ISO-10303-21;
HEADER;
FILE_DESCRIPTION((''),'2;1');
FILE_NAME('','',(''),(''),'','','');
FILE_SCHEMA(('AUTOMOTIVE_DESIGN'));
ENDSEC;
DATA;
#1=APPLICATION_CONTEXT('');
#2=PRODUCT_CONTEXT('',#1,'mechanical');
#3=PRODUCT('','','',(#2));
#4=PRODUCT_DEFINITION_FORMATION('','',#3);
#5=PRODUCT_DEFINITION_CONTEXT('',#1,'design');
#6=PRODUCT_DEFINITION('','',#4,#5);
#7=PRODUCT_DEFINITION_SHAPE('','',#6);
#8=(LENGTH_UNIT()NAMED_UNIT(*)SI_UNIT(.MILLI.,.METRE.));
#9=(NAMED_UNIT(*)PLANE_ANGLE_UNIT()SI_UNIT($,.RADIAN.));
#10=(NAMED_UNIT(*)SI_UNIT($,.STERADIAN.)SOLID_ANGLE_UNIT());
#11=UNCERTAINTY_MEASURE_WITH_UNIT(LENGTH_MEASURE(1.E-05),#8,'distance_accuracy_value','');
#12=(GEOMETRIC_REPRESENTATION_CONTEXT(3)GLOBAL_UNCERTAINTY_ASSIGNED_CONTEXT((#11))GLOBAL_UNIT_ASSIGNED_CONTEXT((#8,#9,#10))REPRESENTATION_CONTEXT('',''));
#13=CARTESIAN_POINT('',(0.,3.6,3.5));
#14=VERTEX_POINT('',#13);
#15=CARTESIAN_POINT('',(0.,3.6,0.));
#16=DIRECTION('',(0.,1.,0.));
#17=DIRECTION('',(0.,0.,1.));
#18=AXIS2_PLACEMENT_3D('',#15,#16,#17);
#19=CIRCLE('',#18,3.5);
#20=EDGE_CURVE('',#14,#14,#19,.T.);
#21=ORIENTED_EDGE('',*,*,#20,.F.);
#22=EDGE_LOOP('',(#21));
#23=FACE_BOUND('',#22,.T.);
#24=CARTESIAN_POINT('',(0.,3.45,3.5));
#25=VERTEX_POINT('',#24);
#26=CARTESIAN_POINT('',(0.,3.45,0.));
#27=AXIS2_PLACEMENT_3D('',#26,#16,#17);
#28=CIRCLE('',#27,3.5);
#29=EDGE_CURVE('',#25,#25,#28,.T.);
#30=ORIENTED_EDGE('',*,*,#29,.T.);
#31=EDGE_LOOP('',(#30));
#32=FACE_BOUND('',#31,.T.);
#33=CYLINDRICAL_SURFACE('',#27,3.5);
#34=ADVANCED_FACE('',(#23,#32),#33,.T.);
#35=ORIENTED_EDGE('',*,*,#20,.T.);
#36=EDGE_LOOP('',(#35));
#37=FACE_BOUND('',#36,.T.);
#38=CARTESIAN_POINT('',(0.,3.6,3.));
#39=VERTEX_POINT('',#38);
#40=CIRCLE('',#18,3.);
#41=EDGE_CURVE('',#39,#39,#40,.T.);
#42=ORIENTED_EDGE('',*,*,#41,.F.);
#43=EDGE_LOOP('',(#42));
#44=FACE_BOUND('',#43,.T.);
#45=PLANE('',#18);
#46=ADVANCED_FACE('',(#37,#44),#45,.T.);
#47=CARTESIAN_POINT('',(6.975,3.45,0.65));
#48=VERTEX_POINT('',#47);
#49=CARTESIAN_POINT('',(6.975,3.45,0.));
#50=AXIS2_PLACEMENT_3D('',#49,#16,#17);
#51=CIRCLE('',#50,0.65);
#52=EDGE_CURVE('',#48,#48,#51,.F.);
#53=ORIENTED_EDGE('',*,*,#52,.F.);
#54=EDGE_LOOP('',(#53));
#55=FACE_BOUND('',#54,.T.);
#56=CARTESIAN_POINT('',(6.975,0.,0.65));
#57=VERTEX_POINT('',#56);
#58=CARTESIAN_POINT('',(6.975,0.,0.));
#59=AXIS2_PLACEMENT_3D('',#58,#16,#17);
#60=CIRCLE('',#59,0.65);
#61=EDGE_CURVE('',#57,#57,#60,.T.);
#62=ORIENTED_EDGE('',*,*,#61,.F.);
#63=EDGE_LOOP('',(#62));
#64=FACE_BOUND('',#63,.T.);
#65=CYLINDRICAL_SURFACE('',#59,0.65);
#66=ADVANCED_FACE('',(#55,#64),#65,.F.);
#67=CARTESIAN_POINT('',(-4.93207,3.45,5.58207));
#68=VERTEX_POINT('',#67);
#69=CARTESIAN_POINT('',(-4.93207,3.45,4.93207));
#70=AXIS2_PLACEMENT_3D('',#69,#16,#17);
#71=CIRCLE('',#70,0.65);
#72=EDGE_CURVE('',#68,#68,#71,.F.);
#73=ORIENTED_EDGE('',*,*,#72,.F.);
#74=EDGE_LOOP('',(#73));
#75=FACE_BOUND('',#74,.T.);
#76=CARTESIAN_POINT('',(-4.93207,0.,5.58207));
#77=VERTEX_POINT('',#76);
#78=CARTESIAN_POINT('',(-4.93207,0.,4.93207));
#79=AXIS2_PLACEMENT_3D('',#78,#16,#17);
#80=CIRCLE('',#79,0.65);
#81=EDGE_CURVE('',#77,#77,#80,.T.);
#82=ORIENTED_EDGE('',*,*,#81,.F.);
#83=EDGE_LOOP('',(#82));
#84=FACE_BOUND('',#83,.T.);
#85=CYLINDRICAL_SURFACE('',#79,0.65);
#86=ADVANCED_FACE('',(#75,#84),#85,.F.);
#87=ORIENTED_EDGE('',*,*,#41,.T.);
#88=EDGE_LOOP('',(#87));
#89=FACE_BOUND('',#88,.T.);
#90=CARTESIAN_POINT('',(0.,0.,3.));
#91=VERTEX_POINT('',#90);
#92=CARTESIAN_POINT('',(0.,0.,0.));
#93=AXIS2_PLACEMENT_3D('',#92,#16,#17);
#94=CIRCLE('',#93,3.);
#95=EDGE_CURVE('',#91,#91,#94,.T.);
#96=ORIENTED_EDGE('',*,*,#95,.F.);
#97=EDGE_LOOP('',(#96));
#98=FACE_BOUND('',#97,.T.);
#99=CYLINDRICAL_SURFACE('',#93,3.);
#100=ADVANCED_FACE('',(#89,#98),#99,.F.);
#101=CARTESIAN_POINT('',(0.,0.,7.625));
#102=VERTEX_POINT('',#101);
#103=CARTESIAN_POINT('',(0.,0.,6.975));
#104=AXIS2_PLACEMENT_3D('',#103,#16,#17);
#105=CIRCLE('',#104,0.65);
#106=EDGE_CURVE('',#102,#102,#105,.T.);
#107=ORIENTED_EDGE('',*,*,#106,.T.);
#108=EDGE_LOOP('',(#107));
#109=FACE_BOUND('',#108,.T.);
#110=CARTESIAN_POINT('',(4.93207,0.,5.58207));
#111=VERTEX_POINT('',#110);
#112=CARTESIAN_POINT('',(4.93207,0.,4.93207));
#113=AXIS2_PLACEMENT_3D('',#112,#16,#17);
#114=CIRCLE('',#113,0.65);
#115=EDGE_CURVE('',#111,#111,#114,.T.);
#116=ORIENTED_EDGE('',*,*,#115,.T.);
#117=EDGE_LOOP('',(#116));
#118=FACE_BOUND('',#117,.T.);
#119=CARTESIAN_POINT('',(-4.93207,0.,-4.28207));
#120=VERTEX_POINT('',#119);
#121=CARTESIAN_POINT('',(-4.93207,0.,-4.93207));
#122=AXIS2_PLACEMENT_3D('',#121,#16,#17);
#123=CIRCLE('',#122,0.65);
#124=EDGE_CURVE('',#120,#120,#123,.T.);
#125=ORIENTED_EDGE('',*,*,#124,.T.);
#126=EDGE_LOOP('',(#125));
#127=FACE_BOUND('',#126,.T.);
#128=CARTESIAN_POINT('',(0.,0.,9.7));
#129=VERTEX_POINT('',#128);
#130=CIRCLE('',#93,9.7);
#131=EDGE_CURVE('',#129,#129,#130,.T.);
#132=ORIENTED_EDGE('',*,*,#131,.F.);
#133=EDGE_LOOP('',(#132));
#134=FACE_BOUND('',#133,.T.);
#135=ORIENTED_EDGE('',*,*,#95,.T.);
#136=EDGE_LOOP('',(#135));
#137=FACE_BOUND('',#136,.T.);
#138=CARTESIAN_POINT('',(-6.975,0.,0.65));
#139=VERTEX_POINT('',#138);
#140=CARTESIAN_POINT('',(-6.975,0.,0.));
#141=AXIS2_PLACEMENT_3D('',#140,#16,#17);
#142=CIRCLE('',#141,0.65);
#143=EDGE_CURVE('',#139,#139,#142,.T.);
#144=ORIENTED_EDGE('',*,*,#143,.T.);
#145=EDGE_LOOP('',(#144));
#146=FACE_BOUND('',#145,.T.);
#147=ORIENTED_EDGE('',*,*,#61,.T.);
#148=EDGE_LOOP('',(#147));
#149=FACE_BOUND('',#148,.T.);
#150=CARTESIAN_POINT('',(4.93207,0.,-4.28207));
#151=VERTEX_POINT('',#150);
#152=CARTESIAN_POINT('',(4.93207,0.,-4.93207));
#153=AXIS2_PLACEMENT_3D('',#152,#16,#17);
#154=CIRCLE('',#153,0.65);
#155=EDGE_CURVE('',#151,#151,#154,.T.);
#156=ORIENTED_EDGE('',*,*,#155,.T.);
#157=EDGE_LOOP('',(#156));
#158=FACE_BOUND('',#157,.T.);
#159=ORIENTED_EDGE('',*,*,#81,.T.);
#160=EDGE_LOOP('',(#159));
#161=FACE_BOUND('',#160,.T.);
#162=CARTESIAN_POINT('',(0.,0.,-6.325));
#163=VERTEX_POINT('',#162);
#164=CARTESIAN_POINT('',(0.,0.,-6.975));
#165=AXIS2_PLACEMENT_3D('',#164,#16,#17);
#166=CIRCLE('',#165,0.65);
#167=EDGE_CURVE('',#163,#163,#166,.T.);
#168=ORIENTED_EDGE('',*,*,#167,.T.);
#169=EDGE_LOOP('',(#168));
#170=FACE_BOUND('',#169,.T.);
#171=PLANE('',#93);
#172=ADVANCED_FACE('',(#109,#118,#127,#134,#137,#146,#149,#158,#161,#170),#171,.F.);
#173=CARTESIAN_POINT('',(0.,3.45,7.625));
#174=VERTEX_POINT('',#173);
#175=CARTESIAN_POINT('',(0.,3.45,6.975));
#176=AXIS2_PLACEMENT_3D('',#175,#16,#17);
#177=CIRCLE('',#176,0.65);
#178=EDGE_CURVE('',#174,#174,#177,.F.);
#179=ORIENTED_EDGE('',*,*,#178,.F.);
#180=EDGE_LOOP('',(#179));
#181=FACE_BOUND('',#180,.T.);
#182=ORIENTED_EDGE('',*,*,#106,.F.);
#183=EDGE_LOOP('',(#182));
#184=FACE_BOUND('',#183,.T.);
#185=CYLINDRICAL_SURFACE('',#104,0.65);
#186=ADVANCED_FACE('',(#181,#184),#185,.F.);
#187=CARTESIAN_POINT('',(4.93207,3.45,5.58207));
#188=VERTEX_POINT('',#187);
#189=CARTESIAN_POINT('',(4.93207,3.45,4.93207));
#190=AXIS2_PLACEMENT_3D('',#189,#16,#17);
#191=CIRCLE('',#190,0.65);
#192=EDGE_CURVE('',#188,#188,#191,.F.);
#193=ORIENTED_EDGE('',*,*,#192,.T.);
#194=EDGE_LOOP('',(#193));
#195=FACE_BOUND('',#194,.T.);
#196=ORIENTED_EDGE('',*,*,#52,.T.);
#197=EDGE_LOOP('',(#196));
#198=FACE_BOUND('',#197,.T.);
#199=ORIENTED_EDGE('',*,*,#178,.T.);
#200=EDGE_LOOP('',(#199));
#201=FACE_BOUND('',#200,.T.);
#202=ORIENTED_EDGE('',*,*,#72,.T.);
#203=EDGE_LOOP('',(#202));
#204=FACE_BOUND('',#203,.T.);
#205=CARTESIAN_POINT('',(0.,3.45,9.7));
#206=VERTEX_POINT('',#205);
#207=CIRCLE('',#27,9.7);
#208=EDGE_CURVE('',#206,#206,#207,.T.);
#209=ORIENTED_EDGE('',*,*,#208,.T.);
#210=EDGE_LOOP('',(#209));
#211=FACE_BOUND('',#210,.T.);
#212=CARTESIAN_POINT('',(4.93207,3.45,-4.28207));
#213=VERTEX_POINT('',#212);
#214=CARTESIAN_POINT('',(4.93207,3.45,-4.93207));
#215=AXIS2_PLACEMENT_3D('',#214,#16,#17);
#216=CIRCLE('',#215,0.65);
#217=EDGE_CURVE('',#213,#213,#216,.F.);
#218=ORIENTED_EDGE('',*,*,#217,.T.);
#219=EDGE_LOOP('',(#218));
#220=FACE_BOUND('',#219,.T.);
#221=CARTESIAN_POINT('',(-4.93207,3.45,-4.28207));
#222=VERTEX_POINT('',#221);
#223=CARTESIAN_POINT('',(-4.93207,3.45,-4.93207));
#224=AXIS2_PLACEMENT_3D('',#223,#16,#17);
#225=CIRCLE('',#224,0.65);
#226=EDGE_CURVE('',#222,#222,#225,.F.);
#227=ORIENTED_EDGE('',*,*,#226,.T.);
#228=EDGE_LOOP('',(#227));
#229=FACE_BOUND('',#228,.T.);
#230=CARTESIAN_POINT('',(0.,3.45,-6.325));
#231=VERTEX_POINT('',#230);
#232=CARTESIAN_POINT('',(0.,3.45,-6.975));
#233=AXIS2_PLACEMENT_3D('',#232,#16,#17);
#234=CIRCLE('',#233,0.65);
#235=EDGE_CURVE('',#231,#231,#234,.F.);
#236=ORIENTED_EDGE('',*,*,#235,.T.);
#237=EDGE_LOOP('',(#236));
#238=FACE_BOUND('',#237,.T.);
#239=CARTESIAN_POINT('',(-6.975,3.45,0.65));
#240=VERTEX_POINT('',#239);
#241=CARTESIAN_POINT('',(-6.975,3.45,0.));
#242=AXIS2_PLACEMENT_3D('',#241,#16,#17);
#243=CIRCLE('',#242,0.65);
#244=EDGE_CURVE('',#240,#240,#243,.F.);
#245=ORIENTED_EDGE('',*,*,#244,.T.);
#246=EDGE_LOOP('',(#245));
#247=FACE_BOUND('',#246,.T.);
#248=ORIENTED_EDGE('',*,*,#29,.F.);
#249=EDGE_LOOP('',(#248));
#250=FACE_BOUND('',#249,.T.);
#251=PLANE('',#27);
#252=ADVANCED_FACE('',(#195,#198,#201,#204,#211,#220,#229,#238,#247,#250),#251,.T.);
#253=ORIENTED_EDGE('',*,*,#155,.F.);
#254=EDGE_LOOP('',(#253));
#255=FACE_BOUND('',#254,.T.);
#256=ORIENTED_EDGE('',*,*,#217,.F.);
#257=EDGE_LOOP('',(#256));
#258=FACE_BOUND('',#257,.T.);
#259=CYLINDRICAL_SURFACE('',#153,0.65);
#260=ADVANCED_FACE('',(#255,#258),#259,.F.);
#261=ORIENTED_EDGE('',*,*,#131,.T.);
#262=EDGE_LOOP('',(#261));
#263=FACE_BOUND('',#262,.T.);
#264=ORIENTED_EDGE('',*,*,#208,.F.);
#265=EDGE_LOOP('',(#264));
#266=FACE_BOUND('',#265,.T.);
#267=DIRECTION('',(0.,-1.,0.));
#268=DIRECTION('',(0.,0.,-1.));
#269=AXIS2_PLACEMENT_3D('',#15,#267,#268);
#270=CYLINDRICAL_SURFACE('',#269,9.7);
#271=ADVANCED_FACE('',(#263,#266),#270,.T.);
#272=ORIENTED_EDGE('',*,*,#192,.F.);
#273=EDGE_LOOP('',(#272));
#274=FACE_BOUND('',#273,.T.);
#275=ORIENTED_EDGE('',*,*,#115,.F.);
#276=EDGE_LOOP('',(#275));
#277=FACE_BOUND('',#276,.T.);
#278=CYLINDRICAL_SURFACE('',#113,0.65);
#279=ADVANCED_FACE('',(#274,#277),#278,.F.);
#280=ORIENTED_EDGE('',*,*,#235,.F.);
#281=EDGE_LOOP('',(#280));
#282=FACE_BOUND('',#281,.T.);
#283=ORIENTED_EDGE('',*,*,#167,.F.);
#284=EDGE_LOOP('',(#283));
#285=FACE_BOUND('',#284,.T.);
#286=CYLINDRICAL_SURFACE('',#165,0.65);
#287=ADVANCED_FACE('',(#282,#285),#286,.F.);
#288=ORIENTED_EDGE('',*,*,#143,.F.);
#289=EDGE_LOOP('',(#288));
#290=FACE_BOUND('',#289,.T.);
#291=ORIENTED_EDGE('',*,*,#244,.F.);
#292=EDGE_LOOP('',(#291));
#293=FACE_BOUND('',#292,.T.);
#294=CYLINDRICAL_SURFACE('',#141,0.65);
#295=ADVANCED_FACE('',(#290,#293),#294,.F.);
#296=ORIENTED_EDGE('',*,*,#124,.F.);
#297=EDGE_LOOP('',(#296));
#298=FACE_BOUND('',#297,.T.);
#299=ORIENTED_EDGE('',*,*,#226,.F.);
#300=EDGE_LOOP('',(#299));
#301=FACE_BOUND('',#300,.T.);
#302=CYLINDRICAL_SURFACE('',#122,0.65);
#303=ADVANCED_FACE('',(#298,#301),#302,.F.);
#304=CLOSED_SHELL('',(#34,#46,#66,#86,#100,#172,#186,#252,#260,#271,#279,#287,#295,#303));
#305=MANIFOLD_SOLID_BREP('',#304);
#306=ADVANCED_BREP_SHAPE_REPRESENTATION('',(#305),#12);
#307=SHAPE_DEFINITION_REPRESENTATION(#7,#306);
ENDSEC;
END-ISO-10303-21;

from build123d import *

# Parameters (mm, degrees)
SKETCH1_R               = 9.7
BOSS_EXTRUDE1_DEPTH     = 3.6
CUT_EXTRUDE1_DEPTH      = 15.182383439
CUT_EXTRUDE1_DEPTH_BACK = 15.182383439
SKETCH2_R               = 0.65
CUT_EXTRUDE2_DEPTH      = 15.182383439
CUT_EXTRUDE2_DEPTH_BACK = 15.182383439
SKETCH3_R               = 3
SKETCH4_R               = 9.7
SKETCH4_R_2             = 3.5
SKETCH4_R_3             = 0.65
CUT_EXTRUDE3_DEPTH      = 0.15


with BuildPart() as part:
    # Sketch1 → Boss-Extrude1 (new body)
    with BuildSketch(Plane(origin=(0, 0, 0), x_dir=(1, 0, 0), z_dir=(0, 1, 0))):
        with Locations(Location((0, 0, 0), (0, 0, 270))):
            Circle(SKETCH1_R)
    extrude(amount=BOSS_EXTRUDE1_DEPTH)

    # Sketch2 → Cut-Extrude1 (cut, two sides: drawn at the far end of the back side and taken through both)
    with BuildSketch(Plane(origin=(0, 3.6, 0), x_dir=(1, 0, 0), z_dir=(0, 1, 0)).offset(-CUT_EXTRUDE1_DEPTH_BACK)):
        with Locations(Location((-6.975, 0, 0), (0, 0, 270))):
            Circle(SKETCH2_R)
        with Locations(Location((-4.932069799, 4.932069799, 0), (0, 0, 270))):
            Circle(SKETCH2_R)
        with Locations(Location((0, 6.975, 0), (0, 0, 270))):
            Circle(SKETCH2_R)
        with Locations(Location((4.932069799, 4.932069799, 0), (0, 0, 270))):
            Circle(SKETCH2_R)
        with Locations(Location((6.975, 0, 0), (0, 0, 270))):
            Circle(SKETCH2_R)
        with Locations(Location((4.932069799, -4.932069799, 0), (0, 0, 270))):
            Circle(SKETCH2_R)
        with Locations(Location((0, -6.975, 0), (0, 0, 270))):
            Circle(SKETCH2_R)
        with Locations(Location((-4.932069799, -4.932069799, 0), (0, 0, 270))):
            Circle(SKETCH2_R)
    extrude(amount=CUT_EXTRUDE1_DEPTH + CUT_EXTRUDE1_DEPTH_BACK, mode=Mode.SUBTRACT)

    # Sketch3 → Cut-Extrude2 (cut, two sides: drawn at the far end of the back side and taken through both)
    with BuildSketch(Plane(origin=(0, 3.6, 0), x_dir=(1, 0, 0), z_dir=(0, 1, 0)).offset(-CUT_EXTRUDE2_DEPTH_BACK)):
        with Locations(Location((0, 0, 0), (0, 0, 270))):
            Circle(SKETCH3_R)
    extrude(amount=CUT_EXTRUDE2_DEPTH + CUT_EXTRUDE2_DEPTH_BACK, mode=Mode.SUBTRACT)

    # Sketch4 → Cut-Extrude3 (cut)
    with BuildSketch(Plane(origin=(0, 3.6, 0), x_dir=(1, 0, 0), z_dir=(0, 1, 0))):
        with Locations(Location((0, 0, 0), (0, 0, 270))):
            Circle(SKETCH4_R)
        with Locations(Location((0, 0, 0), (0, 0, 270))):
            Circle(SKETCH4_R_2, mode=Mode.SUBTRACT)
        with Locations(Location((-6.975, 0, 0), (0, 0, 270))):
            Circle(SKETCH4_R_3, mode=Mode.SUBTRACT)
        with Locations(Location((0, 6.975, 0), (0, 0, 270))):
            Circle(SKETCH4_R_3, mode=Mode.SUBTRACT)
        with Locations(Location((6.975, 0, 0), (0, 0, 270))):
            Circle(SKETCH4_R_3, mode=Mode.SUBTRACT)
        with Locations(Location((0, -6.975, 0), (0, 0, 270))):
            Circle(SKETCH4_R_3, mode=Mode.SUBTRACT)
        with Locations(Location((-4.932069799, -4.932069799, 0), (0, 0, 270))):
            Circle(SKETCH4_R_3, mode=Mode.SUBTRACT)
        with Locations(Location((4.932069799, -4.932069799, 0), (0, 0, 270))):
            Circle(SKETCH4_R_3, mode=Mode.SUBTRACT)
        with Locations(Location((4.932069799, 4.932069799, 0), (0, 0, 270))):
            Circle(SKETCH4_R_3, mode=Mode.SUBTRACT)
        with Locations(Location((-4.932069799, 4.932069799, 0), (0, 0, 270))):
            Circle(SKETCH4_R_3, mode=Mode.SUBTRACT)
    extrude(amount=-CUT_EXTRUDE3_DEPTH, mode=Mode.SUBTRACT)


solid = part.part
